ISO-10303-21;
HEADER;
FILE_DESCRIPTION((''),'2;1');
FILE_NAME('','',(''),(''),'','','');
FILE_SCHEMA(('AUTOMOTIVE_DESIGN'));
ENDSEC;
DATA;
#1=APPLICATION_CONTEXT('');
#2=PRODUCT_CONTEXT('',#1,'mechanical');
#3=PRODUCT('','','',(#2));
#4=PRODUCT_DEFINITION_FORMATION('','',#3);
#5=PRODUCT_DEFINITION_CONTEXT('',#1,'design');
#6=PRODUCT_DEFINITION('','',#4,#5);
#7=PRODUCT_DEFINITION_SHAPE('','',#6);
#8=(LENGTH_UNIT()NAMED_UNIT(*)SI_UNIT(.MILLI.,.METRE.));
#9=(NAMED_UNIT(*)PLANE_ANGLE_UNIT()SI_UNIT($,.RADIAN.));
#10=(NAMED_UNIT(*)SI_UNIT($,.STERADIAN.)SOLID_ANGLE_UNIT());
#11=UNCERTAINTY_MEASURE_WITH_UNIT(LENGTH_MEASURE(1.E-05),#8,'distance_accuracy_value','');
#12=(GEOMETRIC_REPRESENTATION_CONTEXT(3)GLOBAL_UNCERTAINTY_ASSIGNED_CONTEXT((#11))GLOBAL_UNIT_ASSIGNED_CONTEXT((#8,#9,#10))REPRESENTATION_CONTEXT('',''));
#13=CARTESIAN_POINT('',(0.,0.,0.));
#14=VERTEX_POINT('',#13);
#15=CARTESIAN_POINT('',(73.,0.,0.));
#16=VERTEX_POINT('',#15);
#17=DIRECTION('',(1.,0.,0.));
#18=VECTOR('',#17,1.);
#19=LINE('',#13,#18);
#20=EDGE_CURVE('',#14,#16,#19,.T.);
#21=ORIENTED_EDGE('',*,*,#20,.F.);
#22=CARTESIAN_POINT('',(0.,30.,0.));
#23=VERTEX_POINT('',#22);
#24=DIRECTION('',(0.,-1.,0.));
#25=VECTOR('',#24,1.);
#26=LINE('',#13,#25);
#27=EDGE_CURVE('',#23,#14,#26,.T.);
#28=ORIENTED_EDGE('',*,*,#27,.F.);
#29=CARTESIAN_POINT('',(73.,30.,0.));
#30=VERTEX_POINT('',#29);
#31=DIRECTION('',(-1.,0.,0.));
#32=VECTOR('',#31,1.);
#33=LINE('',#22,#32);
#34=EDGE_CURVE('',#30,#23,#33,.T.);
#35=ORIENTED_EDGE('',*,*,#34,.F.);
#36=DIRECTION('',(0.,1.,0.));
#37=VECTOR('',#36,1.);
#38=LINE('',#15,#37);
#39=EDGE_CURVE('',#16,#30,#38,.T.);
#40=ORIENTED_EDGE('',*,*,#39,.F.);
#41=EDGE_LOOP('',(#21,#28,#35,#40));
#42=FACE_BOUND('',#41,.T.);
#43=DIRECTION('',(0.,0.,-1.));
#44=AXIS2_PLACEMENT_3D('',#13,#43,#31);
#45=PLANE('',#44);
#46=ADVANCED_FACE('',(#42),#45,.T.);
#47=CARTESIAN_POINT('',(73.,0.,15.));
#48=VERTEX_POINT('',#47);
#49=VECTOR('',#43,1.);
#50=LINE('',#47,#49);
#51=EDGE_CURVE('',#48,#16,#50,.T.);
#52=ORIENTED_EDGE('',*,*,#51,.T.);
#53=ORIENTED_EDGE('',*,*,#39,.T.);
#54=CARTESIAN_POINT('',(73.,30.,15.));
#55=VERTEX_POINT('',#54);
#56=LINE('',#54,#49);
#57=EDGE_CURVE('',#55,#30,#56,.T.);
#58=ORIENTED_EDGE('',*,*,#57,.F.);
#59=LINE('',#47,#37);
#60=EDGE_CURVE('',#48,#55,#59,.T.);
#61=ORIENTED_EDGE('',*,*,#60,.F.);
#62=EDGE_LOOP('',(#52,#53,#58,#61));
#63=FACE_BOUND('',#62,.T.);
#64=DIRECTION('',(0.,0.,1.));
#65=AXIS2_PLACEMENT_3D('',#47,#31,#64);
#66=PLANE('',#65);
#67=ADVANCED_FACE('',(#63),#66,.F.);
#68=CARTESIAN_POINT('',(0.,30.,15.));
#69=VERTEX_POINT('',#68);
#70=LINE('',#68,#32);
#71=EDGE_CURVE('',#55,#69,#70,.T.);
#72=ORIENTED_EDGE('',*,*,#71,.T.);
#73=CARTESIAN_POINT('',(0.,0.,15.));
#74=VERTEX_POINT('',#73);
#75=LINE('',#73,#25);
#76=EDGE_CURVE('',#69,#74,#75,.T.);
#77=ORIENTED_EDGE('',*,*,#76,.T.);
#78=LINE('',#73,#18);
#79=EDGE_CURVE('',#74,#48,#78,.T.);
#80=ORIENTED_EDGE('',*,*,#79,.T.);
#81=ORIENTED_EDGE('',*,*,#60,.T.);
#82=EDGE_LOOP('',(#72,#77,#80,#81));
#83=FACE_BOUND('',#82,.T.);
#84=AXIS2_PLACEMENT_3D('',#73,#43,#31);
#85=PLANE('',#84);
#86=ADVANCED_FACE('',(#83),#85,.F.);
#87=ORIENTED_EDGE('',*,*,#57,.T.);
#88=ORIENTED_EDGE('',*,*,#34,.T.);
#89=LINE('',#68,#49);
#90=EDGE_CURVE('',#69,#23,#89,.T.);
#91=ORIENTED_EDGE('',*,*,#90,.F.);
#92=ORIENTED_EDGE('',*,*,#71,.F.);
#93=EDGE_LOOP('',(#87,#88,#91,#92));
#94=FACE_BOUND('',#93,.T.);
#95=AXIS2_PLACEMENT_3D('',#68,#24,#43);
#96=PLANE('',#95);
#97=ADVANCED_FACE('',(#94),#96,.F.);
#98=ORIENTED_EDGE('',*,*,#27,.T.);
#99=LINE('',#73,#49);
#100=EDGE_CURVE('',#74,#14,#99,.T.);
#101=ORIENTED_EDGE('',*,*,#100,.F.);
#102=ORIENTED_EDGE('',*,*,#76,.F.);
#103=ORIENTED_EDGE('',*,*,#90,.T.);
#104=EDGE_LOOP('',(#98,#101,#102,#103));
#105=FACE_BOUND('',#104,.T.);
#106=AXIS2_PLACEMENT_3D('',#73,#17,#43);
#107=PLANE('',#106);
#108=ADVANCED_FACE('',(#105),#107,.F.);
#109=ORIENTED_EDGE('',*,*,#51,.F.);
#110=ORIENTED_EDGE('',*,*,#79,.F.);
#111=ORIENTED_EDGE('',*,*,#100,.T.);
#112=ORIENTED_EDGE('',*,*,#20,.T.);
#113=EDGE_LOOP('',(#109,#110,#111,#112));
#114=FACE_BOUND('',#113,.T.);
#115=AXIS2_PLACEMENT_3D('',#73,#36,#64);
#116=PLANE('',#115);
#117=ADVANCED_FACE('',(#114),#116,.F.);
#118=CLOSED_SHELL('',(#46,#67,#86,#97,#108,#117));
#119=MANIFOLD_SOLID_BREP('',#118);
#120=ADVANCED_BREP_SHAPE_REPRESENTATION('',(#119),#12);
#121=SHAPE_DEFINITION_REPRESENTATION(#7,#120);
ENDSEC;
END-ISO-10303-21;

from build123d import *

# Parameters (mm, degrees)
SKETCH1_W           = 73
SKETCH1_H           = 30
BOSS_EXTRUDE1_DEPTH = 15


with BuildPart() as part:
    # Sketch1 → Boss-Extrude1 (new body)
    with BuildSketch(Plane.XY):
        with Locations((36.5, 15)):
            Rectangle(SKETCH1_W, SKETCH1_H)
    extrude(amount=BOSS_EXTRUDE1_DEPTH)


solid = part.part
